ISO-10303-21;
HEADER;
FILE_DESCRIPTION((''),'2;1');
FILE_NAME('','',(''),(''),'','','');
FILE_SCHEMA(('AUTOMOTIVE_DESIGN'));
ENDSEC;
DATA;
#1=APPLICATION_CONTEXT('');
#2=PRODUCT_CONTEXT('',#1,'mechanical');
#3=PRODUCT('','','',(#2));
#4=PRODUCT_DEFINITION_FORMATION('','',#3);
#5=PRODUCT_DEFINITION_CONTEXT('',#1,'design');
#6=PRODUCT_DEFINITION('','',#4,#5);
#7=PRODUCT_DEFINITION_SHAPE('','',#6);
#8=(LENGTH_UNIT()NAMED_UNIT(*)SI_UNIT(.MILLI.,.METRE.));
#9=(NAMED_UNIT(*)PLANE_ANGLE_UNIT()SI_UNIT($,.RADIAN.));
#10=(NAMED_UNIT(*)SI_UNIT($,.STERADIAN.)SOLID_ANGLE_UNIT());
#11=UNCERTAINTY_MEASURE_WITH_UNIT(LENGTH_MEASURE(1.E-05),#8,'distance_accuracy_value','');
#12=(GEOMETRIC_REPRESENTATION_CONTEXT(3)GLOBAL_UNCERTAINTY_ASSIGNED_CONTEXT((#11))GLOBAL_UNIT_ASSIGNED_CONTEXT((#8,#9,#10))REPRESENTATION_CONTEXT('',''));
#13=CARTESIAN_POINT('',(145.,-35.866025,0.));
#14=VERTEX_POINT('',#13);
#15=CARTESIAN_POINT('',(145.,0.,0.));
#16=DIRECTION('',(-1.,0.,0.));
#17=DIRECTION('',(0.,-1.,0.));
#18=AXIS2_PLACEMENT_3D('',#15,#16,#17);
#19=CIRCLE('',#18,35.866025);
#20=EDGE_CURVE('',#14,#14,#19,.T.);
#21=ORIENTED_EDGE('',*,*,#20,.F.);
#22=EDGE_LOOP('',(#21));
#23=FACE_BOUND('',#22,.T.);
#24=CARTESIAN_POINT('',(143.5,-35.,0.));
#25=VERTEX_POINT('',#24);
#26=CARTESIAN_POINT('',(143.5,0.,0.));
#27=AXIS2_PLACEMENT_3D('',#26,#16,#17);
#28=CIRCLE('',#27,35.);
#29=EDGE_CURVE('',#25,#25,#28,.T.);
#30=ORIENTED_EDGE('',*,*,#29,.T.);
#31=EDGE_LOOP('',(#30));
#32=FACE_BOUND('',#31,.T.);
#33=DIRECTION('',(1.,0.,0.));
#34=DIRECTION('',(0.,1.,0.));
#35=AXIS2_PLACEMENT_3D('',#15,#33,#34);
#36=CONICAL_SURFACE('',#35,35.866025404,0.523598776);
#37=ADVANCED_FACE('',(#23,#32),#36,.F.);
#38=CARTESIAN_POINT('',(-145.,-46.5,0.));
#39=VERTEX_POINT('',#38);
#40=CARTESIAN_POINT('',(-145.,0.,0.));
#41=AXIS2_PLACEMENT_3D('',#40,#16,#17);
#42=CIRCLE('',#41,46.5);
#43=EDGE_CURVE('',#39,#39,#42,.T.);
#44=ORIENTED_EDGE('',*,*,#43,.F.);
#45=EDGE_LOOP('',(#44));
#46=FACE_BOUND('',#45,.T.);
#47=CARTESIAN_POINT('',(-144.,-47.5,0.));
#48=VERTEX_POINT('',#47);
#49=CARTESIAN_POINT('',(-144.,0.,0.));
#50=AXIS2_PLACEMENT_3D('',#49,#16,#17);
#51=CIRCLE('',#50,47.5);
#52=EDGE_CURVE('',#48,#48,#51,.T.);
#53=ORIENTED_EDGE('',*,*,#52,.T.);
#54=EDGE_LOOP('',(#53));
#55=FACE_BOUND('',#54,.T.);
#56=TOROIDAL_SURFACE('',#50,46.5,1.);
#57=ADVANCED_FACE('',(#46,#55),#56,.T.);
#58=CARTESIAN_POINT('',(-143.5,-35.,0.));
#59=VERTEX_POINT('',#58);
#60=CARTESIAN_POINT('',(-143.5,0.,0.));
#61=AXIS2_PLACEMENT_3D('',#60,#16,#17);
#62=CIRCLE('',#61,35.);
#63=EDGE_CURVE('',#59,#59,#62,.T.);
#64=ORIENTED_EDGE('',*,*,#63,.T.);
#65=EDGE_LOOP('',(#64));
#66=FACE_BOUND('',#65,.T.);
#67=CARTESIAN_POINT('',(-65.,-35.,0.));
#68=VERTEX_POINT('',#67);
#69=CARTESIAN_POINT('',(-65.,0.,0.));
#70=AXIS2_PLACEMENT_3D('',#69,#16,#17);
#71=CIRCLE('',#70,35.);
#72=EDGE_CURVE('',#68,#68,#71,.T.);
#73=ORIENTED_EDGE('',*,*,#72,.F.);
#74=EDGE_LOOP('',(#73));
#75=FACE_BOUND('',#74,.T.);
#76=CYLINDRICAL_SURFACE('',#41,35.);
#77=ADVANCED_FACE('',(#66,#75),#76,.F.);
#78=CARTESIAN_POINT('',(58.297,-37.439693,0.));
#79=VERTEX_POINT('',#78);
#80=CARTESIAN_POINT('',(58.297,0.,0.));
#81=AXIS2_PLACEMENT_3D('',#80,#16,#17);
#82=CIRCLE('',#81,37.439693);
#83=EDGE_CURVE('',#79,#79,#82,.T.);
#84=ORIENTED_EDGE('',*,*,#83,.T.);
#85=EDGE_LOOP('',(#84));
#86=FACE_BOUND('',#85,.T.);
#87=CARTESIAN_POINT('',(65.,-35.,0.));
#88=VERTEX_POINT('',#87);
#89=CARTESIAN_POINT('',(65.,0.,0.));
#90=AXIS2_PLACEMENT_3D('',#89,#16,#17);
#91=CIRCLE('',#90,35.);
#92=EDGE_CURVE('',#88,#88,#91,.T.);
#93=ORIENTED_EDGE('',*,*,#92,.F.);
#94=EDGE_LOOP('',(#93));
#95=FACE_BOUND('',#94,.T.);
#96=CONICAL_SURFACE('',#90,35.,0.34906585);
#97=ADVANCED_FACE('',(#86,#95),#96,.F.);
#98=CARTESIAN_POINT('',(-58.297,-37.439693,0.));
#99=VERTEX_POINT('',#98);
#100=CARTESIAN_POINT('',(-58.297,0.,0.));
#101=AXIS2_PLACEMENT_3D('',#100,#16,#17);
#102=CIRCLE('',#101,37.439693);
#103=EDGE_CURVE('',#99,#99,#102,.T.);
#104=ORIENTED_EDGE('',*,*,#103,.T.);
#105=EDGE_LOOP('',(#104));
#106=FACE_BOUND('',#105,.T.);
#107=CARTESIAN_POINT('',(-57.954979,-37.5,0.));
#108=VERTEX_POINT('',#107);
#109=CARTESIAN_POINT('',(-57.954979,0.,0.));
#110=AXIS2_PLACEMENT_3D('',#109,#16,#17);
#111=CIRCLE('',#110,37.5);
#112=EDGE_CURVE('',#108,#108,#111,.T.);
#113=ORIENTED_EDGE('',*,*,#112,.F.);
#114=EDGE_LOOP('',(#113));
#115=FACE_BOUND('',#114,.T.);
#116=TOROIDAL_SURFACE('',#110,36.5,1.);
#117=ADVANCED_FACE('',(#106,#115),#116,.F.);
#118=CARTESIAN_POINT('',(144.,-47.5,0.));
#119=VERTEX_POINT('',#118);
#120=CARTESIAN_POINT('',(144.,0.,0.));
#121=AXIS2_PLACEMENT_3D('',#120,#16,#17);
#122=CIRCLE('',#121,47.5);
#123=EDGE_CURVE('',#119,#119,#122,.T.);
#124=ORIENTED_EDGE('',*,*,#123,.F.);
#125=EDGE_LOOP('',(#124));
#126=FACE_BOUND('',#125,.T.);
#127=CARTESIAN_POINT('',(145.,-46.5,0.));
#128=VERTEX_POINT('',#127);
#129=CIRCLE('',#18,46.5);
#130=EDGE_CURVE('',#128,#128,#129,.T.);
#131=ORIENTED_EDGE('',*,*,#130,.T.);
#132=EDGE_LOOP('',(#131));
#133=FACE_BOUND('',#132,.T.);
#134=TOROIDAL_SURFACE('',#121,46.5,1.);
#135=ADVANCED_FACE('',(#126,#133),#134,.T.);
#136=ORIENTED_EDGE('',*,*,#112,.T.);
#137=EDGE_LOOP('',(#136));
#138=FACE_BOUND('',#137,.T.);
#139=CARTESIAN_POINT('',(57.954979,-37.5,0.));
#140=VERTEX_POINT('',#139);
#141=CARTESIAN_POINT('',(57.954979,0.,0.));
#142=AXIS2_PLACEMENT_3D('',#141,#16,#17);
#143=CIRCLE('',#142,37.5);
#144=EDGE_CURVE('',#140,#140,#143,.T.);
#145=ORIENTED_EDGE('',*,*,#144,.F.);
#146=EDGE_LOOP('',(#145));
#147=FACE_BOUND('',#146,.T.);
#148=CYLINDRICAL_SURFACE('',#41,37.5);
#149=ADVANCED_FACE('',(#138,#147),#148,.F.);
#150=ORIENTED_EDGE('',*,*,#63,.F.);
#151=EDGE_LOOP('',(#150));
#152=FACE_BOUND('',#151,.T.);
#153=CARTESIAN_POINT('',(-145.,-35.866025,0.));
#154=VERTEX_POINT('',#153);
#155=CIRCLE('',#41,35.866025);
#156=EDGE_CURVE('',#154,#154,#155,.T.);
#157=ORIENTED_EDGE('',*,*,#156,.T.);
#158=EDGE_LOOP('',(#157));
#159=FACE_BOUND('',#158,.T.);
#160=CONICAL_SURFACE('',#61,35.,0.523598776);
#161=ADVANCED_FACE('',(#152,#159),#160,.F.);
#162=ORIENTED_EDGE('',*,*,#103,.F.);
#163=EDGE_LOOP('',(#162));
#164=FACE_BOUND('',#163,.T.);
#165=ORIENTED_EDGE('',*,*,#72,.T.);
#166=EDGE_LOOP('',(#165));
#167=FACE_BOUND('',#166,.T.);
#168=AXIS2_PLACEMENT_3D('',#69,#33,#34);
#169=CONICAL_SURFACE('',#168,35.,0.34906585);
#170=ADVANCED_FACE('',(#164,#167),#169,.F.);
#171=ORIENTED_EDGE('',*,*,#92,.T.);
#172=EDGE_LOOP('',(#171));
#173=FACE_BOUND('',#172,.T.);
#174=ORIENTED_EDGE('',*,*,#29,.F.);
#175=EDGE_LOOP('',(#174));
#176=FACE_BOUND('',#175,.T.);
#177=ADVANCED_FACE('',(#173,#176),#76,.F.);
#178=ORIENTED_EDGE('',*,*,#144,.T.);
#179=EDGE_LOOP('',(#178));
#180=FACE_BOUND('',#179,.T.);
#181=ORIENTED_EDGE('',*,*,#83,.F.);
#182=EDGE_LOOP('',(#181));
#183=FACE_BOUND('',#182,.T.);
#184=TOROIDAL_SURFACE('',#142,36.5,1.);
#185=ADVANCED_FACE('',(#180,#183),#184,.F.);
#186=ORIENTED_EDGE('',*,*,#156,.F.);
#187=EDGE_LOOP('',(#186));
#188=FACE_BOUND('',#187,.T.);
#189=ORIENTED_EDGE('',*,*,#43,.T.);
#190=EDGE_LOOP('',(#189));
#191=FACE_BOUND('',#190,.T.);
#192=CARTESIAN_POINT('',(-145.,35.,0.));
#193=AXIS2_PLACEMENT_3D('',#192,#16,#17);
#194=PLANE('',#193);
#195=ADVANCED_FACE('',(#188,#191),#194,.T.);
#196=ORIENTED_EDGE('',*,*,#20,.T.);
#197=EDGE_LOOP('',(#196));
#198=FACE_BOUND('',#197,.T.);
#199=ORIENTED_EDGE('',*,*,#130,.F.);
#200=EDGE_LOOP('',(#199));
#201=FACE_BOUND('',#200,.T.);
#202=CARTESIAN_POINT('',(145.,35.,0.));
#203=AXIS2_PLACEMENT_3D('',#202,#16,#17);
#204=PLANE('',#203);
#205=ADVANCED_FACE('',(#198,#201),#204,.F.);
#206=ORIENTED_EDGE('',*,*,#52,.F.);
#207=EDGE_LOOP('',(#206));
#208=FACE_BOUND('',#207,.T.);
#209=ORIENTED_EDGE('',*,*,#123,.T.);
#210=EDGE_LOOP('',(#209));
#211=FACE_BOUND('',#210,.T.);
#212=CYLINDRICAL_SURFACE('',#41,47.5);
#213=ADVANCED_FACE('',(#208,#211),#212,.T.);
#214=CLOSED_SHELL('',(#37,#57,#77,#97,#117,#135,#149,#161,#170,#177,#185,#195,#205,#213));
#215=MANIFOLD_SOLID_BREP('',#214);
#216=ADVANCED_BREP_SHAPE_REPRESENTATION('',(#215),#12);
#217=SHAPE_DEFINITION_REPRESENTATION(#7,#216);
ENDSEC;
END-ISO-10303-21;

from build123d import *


with BuildPart() as part:
    # Sketch1 → Base-Revolve (revolve)
    with BuildSketch(Plane.XY):
        with BuildLine():
            Line((-145, 35), (-145, 46.5))
            ThreePointArc((-145, 46.5), (-144.707106781, 47.207106781), (-144, 47.5))
            Line((-144, 47.5), (144, 47.5))
            ThreePointArc((144, 47.5), (144.707106781, 47.207106781), (145, 46.5))
            Line((145, 46.5), (145, 35))
            Line((145, 35), (65, 35))
            Line((65, 35), (58.296999614, 37.439692621))
            ThreePointArc((58.296999614, 37.439692621), (58.128627648, 37.484807753), (57.954979471, 37.5))
            Line((57.954979471, 37.5), (-57.954979471, 37.5))
            ThreePointArc((-57.954979471, 37.5), (-58.128627648, 37.484807753), (-58.296999614, 37.439692621))
            Line((-58.296999614, 37.439692621), (-65, 35))
            Line((-65, 35), (-145, 35))
        make_face()
    revolve(axis=Axis((-145, 0, 0), (1, 0, 0)))

    # Sketch5 → 2.5 x 30 gr reifning (revolve, cut)
    with BuildSketch(Plane.XY):
        Polygon((145, 35.866025404), (143.5, 35), (145, 35), align=None)
        Polygon((-145, 35), (-145, 35.866025404), (-143.5, 35), align=None)
    revolve(axis=Axis((0, 0, 0), (1, 0, 0)), mode=Mode.SUBTRACT)


solid = part.part
